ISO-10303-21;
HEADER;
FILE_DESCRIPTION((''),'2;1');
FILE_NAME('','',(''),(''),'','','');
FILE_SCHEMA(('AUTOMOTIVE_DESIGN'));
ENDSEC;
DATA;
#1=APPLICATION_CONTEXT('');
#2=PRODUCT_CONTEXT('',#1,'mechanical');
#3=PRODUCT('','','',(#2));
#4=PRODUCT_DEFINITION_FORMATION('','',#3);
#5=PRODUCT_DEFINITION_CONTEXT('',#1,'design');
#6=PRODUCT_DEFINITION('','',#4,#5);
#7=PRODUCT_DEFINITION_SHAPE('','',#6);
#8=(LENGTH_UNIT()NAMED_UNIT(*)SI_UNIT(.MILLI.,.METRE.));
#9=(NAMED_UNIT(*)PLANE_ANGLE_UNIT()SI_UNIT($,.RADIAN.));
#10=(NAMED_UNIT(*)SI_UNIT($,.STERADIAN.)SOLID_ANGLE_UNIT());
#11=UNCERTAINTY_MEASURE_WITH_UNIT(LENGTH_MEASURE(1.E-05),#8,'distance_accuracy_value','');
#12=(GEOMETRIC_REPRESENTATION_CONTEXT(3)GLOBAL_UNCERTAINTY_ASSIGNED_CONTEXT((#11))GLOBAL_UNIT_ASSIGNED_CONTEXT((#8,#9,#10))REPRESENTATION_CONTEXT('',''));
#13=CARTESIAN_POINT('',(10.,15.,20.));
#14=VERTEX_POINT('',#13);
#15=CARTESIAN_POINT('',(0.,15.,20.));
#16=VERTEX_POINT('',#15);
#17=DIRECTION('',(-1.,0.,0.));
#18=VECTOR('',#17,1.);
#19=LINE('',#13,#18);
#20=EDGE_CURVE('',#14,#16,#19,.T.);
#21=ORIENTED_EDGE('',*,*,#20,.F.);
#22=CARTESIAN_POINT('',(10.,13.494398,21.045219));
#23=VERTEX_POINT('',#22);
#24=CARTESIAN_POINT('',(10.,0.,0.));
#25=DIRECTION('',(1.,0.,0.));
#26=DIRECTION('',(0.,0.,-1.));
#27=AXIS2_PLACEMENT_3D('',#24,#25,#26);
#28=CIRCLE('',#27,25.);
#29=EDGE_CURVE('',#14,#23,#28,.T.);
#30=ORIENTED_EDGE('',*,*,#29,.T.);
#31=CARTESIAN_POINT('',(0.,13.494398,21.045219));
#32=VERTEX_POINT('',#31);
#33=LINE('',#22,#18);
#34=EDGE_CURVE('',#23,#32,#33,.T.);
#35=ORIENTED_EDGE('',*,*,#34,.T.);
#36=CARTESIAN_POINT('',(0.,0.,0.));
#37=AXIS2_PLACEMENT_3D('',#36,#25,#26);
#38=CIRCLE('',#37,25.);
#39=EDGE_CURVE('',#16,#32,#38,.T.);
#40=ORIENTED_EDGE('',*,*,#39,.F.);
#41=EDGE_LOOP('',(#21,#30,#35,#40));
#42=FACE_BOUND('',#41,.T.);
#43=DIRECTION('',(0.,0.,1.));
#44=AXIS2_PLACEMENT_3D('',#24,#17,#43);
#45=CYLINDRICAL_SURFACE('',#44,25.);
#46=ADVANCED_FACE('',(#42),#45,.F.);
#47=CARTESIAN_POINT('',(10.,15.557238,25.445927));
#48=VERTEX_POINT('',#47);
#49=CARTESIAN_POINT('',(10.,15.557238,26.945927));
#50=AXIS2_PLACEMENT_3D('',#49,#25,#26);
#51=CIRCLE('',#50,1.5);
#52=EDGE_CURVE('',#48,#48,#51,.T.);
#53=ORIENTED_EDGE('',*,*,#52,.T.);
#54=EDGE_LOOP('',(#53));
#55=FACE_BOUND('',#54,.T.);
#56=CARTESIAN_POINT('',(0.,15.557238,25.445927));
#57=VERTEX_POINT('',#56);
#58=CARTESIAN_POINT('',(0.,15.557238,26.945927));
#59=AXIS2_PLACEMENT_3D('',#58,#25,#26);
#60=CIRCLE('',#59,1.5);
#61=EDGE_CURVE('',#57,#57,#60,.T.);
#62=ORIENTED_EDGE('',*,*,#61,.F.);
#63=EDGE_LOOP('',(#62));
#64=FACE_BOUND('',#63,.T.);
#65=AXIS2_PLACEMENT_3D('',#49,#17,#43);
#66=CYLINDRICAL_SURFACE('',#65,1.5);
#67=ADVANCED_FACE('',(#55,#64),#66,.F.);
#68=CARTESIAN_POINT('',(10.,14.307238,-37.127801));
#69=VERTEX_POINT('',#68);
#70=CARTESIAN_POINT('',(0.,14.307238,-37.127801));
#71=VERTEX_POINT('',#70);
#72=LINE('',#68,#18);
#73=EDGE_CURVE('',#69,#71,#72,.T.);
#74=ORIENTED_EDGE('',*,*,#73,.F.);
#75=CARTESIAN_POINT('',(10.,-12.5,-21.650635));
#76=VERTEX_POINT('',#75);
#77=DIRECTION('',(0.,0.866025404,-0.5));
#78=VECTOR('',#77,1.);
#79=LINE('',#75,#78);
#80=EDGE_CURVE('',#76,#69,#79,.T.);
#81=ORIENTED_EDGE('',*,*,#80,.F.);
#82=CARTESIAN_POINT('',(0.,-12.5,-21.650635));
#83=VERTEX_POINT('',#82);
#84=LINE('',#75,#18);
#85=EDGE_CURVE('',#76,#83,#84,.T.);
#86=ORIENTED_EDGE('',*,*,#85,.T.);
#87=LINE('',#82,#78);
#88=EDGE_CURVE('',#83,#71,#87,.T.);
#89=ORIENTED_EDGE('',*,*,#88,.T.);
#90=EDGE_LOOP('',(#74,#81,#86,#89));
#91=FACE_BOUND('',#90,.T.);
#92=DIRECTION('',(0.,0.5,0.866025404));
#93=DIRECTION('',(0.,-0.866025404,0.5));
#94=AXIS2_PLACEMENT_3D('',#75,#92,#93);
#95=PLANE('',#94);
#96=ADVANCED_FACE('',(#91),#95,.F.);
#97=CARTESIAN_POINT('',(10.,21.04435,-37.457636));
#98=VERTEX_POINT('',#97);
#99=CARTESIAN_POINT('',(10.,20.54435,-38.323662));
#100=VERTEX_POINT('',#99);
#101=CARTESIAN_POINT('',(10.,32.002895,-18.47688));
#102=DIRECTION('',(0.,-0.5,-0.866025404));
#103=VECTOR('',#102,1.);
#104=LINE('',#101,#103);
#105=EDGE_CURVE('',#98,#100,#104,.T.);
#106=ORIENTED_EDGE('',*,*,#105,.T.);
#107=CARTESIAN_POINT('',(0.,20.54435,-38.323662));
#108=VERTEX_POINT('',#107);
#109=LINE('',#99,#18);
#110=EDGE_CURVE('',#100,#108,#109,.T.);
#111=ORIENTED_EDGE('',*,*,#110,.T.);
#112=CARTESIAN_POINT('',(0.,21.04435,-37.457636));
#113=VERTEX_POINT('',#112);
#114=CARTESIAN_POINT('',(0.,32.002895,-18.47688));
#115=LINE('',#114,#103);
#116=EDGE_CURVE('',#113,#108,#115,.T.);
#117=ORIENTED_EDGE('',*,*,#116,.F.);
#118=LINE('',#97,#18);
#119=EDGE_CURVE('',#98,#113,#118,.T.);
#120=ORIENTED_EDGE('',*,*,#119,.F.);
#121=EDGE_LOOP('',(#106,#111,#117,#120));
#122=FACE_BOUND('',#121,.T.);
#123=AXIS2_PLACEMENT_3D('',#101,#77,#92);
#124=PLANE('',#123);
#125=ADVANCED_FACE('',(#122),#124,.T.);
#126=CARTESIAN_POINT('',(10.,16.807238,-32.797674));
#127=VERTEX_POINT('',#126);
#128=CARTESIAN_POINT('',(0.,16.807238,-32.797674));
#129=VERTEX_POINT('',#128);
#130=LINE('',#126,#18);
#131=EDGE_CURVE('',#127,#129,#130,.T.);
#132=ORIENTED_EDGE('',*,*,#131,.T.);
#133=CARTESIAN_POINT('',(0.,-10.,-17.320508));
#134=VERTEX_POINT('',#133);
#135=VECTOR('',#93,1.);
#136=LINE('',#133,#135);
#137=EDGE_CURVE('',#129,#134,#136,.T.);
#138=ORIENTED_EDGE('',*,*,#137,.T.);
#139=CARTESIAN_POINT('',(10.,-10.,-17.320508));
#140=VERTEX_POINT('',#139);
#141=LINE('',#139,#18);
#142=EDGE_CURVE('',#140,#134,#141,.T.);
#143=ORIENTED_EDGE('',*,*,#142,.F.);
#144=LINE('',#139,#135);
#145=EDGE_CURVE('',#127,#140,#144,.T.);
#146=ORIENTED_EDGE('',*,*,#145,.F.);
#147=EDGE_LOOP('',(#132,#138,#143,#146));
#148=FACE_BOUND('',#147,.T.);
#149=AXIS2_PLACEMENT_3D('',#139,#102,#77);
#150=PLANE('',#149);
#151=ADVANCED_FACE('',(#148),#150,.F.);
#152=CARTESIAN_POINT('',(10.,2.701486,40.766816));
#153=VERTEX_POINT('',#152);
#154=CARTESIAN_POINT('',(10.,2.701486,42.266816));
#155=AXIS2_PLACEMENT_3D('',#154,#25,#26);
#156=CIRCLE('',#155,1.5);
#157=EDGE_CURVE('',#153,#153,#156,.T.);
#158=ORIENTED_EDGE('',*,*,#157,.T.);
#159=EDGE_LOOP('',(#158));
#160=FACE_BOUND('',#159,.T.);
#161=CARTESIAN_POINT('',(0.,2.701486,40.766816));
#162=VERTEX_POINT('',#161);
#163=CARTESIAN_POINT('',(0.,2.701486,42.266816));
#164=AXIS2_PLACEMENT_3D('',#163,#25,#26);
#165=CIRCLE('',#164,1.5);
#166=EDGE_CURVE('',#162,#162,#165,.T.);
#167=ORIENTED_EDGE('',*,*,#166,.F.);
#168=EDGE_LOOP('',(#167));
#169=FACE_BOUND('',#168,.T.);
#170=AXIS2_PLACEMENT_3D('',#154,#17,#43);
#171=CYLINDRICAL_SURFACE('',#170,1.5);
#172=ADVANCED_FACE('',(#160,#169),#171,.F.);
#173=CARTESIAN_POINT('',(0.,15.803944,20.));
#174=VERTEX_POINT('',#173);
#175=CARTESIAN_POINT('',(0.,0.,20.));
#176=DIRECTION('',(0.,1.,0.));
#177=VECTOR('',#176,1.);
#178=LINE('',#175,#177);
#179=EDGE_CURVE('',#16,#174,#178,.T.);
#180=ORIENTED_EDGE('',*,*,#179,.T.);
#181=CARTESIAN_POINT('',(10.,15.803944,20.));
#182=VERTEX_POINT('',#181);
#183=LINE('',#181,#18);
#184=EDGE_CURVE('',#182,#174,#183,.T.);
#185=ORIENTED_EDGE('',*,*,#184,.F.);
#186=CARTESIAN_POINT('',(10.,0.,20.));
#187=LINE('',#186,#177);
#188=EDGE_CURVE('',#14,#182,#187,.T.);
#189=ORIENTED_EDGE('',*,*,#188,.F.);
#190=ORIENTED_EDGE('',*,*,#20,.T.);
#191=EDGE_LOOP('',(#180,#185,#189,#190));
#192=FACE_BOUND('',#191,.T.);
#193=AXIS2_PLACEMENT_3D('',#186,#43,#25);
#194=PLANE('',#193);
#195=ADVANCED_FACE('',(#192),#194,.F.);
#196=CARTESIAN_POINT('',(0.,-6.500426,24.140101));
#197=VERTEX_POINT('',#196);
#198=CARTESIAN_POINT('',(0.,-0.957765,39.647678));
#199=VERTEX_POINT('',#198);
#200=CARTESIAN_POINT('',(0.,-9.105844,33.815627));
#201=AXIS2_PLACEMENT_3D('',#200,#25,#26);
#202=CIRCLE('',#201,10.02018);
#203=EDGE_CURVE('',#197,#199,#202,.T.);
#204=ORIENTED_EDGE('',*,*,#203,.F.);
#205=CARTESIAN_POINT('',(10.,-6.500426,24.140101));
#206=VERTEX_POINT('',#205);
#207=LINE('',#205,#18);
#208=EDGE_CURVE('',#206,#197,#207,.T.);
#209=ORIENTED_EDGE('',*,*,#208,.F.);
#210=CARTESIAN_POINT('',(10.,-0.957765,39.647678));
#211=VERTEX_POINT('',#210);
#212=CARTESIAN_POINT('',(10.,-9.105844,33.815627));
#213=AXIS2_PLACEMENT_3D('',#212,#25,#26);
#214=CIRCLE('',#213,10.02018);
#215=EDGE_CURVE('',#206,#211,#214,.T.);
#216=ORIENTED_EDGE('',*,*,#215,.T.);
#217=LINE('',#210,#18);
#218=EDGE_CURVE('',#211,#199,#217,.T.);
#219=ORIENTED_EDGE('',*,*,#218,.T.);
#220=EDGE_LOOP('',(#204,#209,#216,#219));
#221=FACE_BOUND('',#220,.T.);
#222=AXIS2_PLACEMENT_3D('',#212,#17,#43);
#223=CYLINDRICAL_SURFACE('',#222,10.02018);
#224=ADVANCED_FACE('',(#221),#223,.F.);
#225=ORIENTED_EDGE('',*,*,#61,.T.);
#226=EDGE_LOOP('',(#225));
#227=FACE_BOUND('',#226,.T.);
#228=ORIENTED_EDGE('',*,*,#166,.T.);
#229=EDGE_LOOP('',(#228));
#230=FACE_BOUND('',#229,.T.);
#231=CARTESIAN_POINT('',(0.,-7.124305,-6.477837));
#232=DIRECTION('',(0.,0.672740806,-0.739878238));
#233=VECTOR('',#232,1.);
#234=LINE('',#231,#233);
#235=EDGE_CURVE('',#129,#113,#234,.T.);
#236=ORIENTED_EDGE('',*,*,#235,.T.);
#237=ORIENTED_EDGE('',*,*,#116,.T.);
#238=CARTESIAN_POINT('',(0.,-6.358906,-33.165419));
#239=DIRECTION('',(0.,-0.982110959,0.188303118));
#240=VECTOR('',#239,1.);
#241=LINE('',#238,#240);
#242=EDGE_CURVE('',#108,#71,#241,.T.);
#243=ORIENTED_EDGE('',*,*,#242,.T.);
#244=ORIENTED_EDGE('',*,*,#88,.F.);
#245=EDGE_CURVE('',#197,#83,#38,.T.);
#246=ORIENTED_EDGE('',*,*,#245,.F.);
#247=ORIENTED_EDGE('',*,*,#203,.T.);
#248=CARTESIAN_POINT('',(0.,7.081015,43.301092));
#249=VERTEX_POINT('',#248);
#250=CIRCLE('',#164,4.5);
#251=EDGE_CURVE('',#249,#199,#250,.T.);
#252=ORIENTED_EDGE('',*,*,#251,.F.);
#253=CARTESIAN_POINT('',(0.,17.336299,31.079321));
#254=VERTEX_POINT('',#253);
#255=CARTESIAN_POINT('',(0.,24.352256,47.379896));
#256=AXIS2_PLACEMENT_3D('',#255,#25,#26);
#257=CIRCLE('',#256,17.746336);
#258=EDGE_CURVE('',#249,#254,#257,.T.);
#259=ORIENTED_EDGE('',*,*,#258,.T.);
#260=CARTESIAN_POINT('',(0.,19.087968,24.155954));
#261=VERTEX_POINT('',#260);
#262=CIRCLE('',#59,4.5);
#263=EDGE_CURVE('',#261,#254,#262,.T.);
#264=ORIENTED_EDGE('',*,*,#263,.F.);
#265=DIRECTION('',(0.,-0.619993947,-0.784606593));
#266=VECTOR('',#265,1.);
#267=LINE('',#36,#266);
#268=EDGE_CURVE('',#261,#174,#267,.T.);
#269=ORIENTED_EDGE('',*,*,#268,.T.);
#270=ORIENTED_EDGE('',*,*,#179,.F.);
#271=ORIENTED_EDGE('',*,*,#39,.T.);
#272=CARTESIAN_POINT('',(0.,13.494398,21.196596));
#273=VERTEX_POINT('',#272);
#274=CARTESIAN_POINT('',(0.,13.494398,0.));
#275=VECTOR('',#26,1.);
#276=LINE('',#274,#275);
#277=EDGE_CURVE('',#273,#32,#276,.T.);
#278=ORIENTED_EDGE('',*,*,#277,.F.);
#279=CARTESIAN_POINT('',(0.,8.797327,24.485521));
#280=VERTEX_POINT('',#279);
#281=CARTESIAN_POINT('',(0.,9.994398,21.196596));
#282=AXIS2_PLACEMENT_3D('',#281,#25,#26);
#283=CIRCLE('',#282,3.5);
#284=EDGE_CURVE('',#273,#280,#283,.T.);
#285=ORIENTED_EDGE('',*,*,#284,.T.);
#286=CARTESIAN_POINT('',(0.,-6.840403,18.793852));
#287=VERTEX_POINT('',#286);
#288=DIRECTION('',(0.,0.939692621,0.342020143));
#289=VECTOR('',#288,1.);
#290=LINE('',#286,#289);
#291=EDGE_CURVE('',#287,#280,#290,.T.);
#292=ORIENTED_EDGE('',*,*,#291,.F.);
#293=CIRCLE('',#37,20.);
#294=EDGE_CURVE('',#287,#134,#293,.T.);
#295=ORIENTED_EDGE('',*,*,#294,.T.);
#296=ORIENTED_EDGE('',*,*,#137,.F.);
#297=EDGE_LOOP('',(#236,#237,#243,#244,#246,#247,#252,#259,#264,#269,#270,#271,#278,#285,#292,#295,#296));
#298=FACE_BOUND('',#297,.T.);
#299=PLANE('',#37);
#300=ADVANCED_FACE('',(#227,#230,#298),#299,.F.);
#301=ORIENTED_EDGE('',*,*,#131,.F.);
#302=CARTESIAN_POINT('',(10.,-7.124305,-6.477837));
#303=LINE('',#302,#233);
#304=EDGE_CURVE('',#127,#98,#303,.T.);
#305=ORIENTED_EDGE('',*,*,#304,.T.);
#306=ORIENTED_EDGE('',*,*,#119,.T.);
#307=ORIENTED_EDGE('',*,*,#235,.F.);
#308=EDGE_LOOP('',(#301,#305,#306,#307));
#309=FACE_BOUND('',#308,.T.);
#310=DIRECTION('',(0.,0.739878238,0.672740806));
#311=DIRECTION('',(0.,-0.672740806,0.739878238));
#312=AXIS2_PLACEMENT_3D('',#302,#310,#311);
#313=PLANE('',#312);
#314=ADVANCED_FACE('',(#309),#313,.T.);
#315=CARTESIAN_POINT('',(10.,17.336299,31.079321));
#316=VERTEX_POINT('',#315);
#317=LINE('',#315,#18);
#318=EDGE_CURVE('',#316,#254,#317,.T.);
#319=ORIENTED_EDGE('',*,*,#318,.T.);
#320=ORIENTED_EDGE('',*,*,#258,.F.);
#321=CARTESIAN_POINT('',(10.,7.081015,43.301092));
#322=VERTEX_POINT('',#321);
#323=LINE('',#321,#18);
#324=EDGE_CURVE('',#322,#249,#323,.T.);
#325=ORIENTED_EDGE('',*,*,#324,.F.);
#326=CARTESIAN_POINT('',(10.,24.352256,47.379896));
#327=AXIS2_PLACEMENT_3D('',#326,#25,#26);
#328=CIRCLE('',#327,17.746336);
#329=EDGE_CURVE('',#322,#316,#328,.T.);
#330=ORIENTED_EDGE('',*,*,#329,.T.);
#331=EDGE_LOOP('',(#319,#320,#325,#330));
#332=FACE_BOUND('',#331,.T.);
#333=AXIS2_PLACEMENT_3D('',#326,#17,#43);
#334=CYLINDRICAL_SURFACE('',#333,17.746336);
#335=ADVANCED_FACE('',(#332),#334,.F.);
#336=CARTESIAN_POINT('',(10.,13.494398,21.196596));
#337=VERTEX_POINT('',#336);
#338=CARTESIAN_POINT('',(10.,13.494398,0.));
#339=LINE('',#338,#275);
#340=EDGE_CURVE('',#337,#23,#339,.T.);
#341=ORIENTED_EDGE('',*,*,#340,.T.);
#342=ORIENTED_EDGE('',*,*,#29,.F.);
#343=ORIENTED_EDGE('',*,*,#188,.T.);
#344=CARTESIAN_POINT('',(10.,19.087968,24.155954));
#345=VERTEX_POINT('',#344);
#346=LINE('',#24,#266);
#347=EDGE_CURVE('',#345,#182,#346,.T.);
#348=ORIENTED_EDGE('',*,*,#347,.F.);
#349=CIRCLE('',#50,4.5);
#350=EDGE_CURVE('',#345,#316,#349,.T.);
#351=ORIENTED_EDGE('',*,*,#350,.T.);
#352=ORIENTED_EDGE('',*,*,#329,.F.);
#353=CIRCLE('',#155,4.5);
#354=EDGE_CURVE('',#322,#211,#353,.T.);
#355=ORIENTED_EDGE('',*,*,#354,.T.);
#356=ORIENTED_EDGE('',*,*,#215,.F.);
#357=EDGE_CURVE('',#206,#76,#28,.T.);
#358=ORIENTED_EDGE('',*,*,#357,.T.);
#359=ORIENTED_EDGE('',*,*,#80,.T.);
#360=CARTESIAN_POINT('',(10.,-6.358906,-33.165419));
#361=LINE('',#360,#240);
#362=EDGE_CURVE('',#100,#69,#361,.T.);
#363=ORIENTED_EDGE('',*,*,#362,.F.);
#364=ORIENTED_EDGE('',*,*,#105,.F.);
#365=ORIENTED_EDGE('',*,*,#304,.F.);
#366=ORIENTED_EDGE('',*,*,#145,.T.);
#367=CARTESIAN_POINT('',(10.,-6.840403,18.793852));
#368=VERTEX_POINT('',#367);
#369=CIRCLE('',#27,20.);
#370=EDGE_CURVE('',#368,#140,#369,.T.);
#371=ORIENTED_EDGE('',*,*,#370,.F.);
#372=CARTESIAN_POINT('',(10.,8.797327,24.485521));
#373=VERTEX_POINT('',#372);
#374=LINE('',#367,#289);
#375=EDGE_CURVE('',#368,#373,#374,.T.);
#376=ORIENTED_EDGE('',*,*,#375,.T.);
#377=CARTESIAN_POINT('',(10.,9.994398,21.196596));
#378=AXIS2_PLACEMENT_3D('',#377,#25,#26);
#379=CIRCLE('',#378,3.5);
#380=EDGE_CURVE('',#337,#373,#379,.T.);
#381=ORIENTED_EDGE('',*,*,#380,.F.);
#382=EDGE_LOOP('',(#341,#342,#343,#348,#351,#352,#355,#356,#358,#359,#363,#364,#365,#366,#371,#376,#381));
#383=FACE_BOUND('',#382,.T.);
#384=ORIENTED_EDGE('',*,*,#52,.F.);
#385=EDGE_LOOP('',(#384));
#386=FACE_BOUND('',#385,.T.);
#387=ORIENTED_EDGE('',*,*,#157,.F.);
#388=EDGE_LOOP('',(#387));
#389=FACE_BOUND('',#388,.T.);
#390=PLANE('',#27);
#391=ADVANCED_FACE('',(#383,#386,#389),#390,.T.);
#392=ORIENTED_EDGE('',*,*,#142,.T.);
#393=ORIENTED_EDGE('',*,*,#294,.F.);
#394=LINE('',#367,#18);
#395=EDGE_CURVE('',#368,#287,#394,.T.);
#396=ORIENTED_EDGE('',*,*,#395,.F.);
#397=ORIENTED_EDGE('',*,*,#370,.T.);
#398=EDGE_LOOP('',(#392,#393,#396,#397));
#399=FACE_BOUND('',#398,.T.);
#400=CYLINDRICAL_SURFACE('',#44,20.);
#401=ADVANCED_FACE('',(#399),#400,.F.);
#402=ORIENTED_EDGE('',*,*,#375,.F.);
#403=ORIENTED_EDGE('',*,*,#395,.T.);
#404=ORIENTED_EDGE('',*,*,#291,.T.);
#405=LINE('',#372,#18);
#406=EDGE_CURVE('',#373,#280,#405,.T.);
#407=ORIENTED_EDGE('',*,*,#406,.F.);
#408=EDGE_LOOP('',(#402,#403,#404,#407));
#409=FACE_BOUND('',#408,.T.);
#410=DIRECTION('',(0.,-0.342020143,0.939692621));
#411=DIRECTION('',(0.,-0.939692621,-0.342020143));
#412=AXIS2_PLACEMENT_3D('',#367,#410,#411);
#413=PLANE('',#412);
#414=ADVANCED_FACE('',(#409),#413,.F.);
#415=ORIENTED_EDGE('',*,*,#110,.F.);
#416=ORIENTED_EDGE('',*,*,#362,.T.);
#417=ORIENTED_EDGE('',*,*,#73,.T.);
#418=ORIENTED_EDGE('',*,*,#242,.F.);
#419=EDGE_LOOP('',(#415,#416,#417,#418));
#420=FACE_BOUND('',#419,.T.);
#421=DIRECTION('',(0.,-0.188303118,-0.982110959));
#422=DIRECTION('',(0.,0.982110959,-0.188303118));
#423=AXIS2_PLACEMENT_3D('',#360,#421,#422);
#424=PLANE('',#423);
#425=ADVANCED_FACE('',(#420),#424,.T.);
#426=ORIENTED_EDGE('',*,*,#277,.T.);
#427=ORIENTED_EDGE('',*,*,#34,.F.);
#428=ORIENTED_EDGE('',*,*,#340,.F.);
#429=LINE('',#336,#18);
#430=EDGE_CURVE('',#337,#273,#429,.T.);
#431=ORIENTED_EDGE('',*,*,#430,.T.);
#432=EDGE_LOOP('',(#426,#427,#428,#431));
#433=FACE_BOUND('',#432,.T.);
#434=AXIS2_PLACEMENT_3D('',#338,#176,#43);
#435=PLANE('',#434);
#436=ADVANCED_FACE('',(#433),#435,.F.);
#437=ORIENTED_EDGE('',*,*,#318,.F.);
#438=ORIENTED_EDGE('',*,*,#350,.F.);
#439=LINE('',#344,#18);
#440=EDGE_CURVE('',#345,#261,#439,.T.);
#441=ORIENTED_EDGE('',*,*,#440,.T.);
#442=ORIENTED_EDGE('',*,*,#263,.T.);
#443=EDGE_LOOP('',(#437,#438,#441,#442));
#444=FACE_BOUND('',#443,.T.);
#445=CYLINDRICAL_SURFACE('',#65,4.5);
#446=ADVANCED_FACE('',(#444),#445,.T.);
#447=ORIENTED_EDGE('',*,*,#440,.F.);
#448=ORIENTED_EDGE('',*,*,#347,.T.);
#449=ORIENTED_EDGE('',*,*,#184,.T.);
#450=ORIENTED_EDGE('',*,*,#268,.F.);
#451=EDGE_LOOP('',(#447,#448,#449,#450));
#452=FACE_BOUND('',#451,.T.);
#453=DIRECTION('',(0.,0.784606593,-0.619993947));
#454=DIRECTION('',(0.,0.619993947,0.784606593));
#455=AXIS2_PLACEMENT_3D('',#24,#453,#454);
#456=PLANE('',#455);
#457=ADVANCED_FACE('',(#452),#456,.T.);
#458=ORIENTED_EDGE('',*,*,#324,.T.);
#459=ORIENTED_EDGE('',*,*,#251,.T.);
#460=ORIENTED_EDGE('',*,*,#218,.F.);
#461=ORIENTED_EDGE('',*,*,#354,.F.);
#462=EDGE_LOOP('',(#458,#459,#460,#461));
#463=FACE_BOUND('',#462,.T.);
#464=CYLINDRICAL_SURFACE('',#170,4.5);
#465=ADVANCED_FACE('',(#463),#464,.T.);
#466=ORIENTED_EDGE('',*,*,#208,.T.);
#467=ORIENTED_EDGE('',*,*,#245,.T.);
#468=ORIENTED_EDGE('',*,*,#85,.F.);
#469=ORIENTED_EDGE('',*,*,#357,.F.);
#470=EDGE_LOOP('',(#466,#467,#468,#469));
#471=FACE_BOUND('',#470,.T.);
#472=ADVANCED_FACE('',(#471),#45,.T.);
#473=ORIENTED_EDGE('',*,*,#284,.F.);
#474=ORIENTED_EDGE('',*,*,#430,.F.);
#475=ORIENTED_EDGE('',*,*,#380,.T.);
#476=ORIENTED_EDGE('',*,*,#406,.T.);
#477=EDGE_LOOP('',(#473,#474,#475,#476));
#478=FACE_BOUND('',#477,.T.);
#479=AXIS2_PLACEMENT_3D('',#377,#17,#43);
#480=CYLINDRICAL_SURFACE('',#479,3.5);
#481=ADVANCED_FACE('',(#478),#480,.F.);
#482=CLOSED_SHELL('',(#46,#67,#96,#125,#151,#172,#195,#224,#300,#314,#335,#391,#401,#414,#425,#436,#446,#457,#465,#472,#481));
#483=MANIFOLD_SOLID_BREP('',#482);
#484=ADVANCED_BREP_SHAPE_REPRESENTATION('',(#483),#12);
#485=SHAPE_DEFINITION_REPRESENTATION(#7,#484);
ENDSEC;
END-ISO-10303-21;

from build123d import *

# Parameters (mm, degrees)
SKETCH_1_R      = 1.5
EXTRUDE_2_DEPTH = 10


with BuildPart() as part:
    # 草图1 → 凸台-拉伸2 (new body)
    with BuildSketch(Plane(origin=(0, 0, 0), x_dir=(0, 0, -1), z_dir=(1, 0, 0))):
        with BuildLine():
            ThreePointArc((17.320508076, -10), (-1.743114855, -19.923893962), (-18.793852416, -6.840402867))
            Line((-18.793852416, -6.840402867), (-24.485520572, 8.797326871))
            ThreePointArc((-24.485520572, 8.797326871), (-24.06362866, 12.001914989), (-21.196596456, 13.494397531))
            Line((-21.196596456, 13.494397531), (-21.045218822, 13.494397531))
            ThreePointArc((-21.045218822, 13.494397531), (-20.53641173, 14.256780606), (-20, 15))
            Line((-20, 15), (-20, 15.803944373))
            Line((-20, 15.803944373), (-24.155954344, 19.087967936))
            ThreePointArc((-24.155954344, 19.087967936), (-28.049684886, 19.919774087), (-31.079320854, 17.336298731))
            ThreePointArc((-31.079320854, 17.336298731), (-35.972771838, 10.757774611), (-43.301092247, 7.081014883))
            ThreePointArc((-43.301092247, 7.081014883), (-46.36357592, 0.839616609), (-39.647678535, -0.957765092))
            ThreePointArc((-39.647678535, -0.957765092), (-30.443187857, 0.329762523), (-24.14010081, -6.500425592))
            ThreePointArc((-24.14010081, -6.500425592), (-3.247781267, -24.788140649), (21.650635095, -12.5))
            Line((21.650635095, -12.5), (37.127801325, 14.307238269))
            Line((37.127801325, 14.307238269), (38.323661657, 20.544349721))
            Line((38.323661657, 20.544349721), (37.457636253, 21.044349721))
            Line((37.457636253, 21.044349721), (32.797674306, 16.807238269))
            Line((32.797674306, 16.807238269), (17.320508076, -10))
        make_face()
        with Locations((-26.945927107, 15.557238269)):
            Circle(SKETCH_1_R, mode=Mode.SUBTRACT)
        with Locations((-42.266815969, 2.701486075)):
            Circle(SKETCH_1_R, mode=Mode.SUBTRACT)
    extrude(amount=EXTRUDE_2_DEPTH)


solid = part.part
